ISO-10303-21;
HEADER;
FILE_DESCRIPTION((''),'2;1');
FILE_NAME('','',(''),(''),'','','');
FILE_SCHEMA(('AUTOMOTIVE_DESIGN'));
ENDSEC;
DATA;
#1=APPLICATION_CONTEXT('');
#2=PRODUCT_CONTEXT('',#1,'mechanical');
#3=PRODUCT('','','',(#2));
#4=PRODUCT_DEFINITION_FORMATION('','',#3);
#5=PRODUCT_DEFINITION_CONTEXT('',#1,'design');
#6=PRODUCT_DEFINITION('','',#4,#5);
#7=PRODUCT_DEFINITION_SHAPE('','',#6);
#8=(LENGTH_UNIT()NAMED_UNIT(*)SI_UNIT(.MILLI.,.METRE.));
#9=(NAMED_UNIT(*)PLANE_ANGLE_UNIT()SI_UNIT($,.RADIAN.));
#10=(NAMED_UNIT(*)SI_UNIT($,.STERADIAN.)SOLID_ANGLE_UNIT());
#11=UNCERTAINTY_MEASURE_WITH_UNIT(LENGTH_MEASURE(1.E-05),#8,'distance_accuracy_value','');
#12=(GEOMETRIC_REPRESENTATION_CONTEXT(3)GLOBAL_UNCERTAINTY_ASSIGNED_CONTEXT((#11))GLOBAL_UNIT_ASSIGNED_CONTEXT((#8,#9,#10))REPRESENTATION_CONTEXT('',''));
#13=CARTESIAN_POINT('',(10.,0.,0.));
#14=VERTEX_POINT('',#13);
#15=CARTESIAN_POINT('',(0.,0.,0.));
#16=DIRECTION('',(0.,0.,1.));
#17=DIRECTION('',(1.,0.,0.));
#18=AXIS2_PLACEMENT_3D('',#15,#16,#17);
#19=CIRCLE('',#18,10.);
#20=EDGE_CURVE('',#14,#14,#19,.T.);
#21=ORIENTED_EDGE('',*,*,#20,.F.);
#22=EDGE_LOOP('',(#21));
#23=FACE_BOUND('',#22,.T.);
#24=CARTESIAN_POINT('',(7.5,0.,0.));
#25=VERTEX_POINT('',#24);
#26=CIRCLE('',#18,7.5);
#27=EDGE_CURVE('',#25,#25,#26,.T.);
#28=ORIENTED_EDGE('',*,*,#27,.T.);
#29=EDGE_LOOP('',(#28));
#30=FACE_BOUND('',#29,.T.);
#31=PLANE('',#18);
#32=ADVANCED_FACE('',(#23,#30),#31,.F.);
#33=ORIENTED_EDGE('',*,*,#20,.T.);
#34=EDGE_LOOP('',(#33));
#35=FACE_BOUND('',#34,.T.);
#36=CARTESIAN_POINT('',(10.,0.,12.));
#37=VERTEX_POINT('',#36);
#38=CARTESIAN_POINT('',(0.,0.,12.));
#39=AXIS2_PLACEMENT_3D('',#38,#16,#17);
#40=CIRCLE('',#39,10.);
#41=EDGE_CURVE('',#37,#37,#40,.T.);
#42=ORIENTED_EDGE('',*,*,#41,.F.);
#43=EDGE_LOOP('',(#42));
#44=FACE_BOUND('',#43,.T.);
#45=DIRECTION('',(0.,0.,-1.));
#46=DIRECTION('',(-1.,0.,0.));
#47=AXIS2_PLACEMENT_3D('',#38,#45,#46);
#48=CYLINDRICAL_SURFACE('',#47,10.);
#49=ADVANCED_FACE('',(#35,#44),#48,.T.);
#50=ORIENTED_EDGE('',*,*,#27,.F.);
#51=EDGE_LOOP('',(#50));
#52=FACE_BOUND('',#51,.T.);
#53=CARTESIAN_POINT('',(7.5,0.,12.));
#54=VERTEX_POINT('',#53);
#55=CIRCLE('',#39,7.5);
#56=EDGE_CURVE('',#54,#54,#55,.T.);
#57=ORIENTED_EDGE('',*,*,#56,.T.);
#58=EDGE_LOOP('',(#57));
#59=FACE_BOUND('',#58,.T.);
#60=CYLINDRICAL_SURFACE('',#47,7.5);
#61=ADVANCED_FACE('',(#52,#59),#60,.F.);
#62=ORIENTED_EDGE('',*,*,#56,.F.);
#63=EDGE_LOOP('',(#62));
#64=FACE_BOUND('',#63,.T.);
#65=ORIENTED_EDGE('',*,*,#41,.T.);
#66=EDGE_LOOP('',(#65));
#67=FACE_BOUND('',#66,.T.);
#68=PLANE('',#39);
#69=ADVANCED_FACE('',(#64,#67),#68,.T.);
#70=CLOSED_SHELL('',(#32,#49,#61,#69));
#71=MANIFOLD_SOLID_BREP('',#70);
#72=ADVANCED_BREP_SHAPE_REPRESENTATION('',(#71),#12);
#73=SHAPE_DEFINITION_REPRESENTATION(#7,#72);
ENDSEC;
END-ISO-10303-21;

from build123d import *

# Parameters (mm, degrees)
ESQUISSE1_R        = 10
ESQUISSE1_R_2      = 7.5
BOSS_EXTRU_1_DEPTH = 12


with BuildPart() as part:
    # Esquisse1 → Boss.-Extru.1 (new body)
    with BuildSketch(Plane.XY):
        Circle(ESQUISSE1_R)
        Circle(ESQUISSE1_R_2, mode=Mode.SUBTRACT)
    extrude(amount=BOSS_EXTRU_1_DEPTH)


solid = part.part
